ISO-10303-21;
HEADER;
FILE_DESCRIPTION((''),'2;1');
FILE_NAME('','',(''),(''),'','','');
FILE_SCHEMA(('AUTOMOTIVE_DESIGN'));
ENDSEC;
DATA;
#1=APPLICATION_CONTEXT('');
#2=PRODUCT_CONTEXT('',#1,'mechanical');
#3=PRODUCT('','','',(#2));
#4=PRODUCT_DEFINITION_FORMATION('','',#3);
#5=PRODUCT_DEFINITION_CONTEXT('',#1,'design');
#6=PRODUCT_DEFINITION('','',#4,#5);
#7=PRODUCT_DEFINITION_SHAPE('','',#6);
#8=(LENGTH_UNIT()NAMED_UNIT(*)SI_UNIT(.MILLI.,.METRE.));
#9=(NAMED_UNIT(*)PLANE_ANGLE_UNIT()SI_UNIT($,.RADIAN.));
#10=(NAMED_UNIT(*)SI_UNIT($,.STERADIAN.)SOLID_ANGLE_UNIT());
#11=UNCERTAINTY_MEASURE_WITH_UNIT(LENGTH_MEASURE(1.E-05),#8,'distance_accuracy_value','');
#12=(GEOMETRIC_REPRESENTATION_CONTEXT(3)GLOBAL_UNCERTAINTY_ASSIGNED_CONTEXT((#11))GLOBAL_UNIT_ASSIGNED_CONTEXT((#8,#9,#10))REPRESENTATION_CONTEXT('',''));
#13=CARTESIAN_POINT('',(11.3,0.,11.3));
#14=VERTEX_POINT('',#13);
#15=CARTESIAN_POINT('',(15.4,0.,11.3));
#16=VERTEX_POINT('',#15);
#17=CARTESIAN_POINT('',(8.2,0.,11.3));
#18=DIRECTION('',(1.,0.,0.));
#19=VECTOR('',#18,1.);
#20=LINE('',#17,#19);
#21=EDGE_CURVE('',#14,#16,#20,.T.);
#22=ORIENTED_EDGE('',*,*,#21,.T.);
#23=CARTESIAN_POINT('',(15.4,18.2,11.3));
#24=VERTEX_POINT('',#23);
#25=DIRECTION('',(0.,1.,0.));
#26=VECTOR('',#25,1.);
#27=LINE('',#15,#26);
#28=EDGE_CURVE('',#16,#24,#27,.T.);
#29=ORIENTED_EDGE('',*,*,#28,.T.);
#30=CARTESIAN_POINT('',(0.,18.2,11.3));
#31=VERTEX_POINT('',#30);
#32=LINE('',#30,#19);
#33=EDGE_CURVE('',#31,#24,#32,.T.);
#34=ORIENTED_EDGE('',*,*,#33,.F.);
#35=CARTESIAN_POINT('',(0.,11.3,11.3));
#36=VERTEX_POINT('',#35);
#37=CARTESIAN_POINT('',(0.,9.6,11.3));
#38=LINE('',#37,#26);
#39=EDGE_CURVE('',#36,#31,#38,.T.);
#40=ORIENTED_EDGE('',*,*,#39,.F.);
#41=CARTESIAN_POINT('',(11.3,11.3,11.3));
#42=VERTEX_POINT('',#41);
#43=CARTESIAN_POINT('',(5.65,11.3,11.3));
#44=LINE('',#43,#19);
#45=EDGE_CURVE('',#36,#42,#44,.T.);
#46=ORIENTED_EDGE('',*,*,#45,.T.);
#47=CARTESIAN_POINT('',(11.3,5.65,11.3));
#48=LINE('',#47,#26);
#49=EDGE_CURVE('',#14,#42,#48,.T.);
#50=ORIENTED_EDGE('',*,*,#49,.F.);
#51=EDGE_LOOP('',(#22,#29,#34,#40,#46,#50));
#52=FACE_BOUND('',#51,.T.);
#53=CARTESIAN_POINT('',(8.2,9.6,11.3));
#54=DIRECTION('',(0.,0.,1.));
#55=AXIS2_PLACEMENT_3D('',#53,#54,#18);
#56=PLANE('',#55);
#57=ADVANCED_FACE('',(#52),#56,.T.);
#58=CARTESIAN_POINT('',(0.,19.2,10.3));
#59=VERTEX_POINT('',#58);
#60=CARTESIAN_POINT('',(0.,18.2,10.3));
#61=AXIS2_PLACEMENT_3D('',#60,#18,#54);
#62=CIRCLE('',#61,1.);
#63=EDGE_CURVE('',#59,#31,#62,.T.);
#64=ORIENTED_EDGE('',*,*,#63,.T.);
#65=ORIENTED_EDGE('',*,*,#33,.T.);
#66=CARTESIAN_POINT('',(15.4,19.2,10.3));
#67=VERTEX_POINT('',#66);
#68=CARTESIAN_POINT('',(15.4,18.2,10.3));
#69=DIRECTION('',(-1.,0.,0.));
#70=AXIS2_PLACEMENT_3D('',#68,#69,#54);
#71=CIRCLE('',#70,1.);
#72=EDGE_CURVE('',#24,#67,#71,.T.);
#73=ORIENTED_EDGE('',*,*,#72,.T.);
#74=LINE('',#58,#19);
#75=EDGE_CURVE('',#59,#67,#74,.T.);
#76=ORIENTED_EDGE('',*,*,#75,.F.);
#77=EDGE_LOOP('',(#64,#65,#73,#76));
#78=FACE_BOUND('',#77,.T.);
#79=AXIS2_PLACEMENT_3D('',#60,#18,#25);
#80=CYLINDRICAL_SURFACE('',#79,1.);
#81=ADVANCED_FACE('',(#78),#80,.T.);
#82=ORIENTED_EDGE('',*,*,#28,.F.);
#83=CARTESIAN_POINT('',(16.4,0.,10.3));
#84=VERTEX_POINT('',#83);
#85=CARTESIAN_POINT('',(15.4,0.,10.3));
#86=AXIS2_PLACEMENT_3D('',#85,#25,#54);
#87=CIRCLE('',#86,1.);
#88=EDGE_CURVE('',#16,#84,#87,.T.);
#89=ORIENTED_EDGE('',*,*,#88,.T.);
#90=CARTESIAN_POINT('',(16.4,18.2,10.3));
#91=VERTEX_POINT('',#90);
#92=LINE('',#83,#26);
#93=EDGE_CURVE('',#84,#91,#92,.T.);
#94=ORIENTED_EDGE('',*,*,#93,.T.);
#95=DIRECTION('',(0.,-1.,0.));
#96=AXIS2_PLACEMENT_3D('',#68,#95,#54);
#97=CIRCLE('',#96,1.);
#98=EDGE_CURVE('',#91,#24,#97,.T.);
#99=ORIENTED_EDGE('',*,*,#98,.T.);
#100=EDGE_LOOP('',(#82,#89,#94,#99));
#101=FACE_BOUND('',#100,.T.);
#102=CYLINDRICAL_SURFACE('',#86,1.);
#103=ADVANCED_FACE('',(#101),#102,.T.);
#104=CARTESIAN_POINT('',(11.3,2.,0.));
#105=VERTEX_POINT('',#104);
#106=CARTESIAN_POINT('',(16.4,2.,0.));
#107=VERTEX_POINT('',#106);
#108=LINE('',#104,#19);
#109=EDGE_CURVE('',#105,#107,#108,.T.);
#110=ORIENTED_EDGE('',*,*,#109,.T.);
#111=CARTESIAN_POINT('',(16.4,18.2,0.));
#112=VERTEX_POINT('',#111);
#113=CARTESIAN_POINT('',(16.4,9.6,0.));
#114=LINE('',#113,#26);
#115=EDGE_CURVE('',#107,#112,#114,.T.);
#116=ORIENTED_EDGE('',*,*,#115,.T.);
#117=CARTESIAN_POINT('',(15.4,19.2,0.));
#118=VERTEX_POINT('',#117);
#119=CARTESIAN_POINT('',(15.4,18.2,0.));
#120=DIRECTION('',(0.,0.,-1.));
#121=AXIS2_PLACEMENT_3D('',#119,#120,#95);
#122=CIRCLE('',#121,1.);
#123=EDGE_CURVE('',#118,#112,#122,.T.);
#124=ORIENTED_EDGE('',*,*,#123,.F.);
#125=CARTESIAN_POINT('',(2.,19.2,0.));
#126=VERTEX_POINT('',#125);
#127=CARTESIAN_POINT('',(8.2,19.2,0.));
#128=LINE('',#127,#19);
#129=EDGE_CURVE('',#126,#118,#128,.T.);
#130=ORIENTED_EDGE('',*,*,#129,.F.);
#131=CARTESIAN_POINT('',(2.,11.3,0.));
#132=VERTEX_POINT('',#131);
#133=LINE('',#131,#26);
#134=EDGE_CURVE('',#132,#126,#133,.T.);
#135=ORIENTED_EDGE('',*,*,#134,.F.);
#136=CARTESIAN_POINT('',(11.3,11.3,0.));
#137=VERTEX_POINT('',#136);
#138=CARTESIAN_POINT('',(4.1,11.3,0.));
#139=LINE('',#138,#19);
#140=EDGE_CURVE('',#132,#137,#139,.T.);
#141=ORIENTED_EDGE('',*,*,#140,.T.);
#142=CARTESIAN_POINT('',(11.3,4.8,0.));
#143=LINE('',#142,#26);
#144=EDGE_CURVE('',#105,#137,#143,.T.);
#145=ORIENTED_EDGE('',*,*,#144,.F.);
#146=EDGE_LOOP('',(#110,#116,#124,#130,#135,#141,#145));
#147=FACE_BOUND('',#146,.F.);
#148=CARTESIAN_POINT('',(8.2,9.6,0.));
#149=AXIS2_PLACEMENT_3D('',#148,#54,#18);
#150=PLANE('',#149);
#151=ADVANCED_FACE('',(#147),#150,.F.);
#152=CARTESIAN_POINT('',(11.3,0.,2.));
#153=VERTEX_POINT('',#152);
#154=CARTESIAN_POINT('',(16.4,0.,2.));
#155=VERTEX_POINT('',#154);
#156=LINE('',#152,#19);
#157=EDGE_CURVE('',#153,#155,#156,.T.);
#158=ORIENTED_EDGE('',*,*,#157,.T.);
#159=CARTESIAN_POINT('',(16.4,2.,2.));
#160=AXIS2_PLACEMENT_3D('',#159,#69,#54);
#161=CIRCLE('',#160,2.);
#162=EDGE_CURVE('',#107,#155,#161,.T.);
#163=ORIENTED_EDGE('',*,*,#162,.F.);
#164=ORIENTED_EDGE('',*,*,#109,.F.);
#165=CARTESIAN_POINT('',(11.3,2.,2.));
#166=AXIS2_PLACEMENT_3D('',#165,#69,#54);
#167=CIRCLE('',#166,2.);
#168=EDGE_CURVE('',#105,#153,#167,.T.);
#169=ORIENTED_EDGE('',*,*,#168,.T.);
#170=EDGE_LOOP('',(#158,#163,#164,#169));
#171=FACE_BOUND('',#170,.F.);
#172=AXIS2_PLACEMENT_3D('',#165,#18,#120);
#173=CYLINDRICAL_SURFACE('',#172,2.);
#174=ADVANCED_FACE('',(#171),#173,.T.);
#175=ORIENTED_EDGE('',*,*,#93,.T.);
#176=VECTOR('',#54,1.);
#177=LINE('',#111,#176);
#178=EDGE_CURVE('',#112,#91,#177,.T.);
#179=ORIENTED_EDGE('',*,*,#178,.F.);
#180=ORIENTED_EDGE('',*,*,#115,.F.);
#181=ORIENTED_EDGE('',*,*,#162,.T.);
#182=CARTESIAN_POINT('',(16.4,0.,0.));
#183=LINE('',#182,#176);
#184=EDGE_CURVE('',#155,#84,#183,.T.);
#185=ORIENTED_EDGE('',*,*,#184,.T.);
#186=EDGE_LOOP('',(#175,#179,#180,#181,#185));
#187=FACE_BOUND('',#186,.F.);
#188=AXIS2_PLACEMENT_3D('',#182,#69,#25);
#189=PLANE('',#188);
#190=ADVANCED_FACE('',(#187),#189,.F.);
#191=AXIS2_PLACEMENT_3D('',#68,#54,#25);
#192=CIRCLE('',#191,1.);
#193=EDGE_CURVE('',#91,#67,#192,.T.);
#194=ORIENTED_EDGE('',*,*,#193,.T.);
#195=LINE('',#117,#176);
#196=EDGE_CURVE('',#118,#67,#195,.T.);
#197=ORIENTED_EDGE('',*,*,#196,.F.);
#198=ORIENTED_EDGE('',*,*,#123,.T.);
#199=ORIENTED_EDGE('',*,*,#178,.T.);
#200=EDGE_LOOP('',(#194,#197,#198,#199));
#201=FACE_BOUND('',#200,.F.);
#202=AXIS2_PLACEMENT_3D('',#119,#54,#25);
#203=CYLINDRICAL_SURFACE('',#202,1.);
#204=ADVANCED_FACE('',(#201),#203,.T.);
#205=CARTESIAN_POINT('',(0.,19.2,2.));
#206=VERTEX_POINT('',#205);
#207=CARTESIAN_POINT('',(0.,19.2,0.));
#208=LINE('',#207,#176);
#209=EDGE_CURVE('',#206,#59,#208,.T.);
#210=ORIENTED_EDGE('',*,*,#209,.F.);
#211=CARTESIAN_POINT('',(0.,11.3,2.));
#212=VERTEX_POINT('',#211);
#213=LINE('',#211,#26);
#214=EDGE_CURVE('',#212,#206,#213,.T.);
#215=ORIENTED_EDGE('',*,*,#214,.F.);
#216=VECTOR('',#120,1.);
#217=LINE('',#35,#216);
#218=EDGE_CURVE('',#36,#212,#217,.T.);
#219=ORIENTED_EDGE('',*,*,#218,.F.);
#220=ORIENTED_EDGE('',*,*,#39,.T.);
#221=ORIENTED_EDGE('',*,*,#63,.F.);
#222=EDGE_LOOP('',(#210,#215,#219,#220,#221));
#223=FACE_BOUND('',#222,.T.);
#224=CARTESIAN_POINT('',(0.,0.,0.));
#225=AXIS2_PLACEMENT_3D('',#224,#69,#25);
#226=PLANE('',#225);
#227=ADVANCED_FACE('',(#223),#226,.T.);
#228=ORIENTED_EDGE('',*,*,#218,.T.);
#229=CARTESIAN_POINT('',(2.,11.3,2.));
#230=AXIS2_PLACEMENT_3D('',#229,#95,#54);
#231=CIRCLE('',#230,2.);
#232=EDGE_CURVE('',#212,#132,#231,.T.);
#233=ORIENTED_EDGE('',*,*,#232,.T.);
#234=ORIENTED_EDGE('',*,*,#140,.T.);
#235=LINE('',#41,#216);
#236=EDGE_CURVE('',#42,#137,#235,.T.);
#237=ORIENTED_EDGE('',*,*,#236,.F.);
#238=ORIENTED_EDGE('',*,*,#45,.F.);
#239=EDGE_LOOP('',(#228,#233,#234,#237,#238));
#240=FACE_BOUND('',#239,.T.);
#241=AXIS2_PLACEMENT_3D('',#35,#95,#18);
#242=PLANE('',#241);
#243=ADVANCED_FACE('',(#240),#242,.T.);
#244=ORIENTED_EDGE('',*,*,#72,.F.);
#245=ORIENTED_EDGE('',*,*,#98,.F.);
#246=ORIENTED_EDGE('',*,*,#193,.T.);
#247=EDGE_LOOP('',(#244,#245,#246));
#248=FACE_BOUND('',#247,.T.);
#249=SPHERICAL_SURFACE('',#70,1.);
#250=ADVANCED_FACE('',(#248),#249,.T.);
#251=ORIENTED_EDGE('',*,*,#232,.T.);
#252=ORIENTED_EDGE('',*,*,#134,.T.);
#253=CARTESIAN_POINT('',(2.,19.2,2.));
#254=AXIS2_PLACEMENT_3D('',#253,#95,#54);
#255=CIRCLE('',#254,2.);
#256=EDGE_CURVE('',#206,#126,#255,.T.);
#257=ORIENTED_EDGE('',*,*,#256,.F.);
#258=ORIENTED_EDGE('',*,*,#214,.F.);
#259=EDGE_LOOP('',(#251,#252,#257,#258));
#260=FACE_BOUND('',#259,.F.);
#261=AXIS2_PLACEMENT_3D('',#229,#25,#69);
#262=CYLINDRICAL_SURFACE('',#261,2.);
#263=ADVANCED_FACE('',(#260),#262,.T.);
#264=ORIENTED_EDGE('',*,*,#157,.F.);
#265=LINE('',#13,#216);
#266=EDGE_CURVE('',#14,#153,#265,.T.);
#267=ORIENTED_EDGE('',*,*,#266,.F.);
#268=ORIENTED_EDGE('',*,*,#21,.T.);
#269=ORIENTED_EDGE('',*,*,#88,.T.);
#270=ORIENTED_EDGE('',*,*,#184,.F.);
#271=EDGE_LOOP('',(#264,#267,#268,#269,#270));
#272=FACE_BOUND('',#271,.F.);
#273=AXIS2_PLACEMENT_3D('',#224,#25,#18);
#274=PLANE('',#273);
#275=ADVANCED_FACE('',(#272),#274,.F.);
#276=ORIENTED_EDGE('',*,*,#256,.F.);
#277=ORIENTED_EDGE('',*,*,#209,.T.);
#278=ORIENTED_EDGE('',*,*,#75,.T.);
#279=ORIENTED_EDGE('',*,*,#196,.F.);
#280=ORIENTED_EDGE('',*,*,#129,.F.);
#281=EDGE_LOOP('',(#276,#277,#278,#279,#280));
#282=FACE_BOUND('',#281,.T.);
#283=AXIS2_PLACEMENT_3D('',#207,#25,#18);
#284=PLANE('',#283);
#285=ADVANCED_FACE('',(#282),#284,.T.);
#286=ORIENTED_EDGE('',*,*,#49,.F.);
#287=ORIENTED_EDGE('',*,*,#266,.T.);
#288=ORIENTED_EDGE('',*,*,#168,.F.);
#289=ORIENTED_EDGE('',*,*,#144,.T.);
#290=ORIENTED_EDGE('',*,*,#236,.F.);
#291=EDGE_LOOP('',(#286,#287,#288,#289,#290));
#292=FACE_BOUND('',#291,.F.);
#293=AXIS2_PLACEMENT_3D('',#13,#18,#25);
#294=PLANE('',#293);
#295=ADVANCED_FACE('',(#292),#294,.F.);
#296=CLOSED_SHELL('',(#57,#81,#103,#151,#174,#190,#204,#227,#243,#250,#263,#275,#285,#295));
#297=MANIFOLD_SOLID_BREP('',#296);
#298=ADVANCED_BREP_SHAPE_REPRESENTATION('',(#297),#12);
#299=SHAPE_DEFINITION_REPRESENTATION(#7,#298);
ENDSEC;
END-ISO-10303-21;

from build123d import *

# Parameters (mm, degrees)
F0_W     = 16.4
F0_H     = 19.2
F1_DEPTH = 11.3
F2_W     = 11.3
F2_H     = 11.3
F3_DEPTH = 25
F4_R     = 2
F5_R     = 1


with BuildPart() as f1:
    # F0 (on Top) → F1 (new body)
    with BuildSketch(Plane.XY):
        with Locations((8.2, 9.6)):
            Rectangle(F0_W, F0_H)
    extrude(amount=F1_DEPTH)

    # F2 (on face) → F3 (cut)
    with BuildSketch(Plane.XY.offset(11.3)):
        with Locations((5.65, 5.65)):
            Rectangle(F2_W, F2_H)
    extrude(amount=-F3_DEPTH, mode=Mode.SUBTRACT)

    # F4
    f4_edges = [f1.edges().sort_by_distance(p)[0] for p in [
        (13.85, 0, 0),
        (0, 15.25, 0),
    ]]
    fillet(f4_edges, radius=F4_R)

    # F5
    f5_edges = [f1.edges().sort_by_distance(p)[0] for p in [
        (8.2, 19.2, 11.3),
        (16.4, 9.6, 11.3),
        (16.4, 19.2, 5.65),
    ]]
    fillet(f5_edges, radius=F5_R)


solid = f1.part
